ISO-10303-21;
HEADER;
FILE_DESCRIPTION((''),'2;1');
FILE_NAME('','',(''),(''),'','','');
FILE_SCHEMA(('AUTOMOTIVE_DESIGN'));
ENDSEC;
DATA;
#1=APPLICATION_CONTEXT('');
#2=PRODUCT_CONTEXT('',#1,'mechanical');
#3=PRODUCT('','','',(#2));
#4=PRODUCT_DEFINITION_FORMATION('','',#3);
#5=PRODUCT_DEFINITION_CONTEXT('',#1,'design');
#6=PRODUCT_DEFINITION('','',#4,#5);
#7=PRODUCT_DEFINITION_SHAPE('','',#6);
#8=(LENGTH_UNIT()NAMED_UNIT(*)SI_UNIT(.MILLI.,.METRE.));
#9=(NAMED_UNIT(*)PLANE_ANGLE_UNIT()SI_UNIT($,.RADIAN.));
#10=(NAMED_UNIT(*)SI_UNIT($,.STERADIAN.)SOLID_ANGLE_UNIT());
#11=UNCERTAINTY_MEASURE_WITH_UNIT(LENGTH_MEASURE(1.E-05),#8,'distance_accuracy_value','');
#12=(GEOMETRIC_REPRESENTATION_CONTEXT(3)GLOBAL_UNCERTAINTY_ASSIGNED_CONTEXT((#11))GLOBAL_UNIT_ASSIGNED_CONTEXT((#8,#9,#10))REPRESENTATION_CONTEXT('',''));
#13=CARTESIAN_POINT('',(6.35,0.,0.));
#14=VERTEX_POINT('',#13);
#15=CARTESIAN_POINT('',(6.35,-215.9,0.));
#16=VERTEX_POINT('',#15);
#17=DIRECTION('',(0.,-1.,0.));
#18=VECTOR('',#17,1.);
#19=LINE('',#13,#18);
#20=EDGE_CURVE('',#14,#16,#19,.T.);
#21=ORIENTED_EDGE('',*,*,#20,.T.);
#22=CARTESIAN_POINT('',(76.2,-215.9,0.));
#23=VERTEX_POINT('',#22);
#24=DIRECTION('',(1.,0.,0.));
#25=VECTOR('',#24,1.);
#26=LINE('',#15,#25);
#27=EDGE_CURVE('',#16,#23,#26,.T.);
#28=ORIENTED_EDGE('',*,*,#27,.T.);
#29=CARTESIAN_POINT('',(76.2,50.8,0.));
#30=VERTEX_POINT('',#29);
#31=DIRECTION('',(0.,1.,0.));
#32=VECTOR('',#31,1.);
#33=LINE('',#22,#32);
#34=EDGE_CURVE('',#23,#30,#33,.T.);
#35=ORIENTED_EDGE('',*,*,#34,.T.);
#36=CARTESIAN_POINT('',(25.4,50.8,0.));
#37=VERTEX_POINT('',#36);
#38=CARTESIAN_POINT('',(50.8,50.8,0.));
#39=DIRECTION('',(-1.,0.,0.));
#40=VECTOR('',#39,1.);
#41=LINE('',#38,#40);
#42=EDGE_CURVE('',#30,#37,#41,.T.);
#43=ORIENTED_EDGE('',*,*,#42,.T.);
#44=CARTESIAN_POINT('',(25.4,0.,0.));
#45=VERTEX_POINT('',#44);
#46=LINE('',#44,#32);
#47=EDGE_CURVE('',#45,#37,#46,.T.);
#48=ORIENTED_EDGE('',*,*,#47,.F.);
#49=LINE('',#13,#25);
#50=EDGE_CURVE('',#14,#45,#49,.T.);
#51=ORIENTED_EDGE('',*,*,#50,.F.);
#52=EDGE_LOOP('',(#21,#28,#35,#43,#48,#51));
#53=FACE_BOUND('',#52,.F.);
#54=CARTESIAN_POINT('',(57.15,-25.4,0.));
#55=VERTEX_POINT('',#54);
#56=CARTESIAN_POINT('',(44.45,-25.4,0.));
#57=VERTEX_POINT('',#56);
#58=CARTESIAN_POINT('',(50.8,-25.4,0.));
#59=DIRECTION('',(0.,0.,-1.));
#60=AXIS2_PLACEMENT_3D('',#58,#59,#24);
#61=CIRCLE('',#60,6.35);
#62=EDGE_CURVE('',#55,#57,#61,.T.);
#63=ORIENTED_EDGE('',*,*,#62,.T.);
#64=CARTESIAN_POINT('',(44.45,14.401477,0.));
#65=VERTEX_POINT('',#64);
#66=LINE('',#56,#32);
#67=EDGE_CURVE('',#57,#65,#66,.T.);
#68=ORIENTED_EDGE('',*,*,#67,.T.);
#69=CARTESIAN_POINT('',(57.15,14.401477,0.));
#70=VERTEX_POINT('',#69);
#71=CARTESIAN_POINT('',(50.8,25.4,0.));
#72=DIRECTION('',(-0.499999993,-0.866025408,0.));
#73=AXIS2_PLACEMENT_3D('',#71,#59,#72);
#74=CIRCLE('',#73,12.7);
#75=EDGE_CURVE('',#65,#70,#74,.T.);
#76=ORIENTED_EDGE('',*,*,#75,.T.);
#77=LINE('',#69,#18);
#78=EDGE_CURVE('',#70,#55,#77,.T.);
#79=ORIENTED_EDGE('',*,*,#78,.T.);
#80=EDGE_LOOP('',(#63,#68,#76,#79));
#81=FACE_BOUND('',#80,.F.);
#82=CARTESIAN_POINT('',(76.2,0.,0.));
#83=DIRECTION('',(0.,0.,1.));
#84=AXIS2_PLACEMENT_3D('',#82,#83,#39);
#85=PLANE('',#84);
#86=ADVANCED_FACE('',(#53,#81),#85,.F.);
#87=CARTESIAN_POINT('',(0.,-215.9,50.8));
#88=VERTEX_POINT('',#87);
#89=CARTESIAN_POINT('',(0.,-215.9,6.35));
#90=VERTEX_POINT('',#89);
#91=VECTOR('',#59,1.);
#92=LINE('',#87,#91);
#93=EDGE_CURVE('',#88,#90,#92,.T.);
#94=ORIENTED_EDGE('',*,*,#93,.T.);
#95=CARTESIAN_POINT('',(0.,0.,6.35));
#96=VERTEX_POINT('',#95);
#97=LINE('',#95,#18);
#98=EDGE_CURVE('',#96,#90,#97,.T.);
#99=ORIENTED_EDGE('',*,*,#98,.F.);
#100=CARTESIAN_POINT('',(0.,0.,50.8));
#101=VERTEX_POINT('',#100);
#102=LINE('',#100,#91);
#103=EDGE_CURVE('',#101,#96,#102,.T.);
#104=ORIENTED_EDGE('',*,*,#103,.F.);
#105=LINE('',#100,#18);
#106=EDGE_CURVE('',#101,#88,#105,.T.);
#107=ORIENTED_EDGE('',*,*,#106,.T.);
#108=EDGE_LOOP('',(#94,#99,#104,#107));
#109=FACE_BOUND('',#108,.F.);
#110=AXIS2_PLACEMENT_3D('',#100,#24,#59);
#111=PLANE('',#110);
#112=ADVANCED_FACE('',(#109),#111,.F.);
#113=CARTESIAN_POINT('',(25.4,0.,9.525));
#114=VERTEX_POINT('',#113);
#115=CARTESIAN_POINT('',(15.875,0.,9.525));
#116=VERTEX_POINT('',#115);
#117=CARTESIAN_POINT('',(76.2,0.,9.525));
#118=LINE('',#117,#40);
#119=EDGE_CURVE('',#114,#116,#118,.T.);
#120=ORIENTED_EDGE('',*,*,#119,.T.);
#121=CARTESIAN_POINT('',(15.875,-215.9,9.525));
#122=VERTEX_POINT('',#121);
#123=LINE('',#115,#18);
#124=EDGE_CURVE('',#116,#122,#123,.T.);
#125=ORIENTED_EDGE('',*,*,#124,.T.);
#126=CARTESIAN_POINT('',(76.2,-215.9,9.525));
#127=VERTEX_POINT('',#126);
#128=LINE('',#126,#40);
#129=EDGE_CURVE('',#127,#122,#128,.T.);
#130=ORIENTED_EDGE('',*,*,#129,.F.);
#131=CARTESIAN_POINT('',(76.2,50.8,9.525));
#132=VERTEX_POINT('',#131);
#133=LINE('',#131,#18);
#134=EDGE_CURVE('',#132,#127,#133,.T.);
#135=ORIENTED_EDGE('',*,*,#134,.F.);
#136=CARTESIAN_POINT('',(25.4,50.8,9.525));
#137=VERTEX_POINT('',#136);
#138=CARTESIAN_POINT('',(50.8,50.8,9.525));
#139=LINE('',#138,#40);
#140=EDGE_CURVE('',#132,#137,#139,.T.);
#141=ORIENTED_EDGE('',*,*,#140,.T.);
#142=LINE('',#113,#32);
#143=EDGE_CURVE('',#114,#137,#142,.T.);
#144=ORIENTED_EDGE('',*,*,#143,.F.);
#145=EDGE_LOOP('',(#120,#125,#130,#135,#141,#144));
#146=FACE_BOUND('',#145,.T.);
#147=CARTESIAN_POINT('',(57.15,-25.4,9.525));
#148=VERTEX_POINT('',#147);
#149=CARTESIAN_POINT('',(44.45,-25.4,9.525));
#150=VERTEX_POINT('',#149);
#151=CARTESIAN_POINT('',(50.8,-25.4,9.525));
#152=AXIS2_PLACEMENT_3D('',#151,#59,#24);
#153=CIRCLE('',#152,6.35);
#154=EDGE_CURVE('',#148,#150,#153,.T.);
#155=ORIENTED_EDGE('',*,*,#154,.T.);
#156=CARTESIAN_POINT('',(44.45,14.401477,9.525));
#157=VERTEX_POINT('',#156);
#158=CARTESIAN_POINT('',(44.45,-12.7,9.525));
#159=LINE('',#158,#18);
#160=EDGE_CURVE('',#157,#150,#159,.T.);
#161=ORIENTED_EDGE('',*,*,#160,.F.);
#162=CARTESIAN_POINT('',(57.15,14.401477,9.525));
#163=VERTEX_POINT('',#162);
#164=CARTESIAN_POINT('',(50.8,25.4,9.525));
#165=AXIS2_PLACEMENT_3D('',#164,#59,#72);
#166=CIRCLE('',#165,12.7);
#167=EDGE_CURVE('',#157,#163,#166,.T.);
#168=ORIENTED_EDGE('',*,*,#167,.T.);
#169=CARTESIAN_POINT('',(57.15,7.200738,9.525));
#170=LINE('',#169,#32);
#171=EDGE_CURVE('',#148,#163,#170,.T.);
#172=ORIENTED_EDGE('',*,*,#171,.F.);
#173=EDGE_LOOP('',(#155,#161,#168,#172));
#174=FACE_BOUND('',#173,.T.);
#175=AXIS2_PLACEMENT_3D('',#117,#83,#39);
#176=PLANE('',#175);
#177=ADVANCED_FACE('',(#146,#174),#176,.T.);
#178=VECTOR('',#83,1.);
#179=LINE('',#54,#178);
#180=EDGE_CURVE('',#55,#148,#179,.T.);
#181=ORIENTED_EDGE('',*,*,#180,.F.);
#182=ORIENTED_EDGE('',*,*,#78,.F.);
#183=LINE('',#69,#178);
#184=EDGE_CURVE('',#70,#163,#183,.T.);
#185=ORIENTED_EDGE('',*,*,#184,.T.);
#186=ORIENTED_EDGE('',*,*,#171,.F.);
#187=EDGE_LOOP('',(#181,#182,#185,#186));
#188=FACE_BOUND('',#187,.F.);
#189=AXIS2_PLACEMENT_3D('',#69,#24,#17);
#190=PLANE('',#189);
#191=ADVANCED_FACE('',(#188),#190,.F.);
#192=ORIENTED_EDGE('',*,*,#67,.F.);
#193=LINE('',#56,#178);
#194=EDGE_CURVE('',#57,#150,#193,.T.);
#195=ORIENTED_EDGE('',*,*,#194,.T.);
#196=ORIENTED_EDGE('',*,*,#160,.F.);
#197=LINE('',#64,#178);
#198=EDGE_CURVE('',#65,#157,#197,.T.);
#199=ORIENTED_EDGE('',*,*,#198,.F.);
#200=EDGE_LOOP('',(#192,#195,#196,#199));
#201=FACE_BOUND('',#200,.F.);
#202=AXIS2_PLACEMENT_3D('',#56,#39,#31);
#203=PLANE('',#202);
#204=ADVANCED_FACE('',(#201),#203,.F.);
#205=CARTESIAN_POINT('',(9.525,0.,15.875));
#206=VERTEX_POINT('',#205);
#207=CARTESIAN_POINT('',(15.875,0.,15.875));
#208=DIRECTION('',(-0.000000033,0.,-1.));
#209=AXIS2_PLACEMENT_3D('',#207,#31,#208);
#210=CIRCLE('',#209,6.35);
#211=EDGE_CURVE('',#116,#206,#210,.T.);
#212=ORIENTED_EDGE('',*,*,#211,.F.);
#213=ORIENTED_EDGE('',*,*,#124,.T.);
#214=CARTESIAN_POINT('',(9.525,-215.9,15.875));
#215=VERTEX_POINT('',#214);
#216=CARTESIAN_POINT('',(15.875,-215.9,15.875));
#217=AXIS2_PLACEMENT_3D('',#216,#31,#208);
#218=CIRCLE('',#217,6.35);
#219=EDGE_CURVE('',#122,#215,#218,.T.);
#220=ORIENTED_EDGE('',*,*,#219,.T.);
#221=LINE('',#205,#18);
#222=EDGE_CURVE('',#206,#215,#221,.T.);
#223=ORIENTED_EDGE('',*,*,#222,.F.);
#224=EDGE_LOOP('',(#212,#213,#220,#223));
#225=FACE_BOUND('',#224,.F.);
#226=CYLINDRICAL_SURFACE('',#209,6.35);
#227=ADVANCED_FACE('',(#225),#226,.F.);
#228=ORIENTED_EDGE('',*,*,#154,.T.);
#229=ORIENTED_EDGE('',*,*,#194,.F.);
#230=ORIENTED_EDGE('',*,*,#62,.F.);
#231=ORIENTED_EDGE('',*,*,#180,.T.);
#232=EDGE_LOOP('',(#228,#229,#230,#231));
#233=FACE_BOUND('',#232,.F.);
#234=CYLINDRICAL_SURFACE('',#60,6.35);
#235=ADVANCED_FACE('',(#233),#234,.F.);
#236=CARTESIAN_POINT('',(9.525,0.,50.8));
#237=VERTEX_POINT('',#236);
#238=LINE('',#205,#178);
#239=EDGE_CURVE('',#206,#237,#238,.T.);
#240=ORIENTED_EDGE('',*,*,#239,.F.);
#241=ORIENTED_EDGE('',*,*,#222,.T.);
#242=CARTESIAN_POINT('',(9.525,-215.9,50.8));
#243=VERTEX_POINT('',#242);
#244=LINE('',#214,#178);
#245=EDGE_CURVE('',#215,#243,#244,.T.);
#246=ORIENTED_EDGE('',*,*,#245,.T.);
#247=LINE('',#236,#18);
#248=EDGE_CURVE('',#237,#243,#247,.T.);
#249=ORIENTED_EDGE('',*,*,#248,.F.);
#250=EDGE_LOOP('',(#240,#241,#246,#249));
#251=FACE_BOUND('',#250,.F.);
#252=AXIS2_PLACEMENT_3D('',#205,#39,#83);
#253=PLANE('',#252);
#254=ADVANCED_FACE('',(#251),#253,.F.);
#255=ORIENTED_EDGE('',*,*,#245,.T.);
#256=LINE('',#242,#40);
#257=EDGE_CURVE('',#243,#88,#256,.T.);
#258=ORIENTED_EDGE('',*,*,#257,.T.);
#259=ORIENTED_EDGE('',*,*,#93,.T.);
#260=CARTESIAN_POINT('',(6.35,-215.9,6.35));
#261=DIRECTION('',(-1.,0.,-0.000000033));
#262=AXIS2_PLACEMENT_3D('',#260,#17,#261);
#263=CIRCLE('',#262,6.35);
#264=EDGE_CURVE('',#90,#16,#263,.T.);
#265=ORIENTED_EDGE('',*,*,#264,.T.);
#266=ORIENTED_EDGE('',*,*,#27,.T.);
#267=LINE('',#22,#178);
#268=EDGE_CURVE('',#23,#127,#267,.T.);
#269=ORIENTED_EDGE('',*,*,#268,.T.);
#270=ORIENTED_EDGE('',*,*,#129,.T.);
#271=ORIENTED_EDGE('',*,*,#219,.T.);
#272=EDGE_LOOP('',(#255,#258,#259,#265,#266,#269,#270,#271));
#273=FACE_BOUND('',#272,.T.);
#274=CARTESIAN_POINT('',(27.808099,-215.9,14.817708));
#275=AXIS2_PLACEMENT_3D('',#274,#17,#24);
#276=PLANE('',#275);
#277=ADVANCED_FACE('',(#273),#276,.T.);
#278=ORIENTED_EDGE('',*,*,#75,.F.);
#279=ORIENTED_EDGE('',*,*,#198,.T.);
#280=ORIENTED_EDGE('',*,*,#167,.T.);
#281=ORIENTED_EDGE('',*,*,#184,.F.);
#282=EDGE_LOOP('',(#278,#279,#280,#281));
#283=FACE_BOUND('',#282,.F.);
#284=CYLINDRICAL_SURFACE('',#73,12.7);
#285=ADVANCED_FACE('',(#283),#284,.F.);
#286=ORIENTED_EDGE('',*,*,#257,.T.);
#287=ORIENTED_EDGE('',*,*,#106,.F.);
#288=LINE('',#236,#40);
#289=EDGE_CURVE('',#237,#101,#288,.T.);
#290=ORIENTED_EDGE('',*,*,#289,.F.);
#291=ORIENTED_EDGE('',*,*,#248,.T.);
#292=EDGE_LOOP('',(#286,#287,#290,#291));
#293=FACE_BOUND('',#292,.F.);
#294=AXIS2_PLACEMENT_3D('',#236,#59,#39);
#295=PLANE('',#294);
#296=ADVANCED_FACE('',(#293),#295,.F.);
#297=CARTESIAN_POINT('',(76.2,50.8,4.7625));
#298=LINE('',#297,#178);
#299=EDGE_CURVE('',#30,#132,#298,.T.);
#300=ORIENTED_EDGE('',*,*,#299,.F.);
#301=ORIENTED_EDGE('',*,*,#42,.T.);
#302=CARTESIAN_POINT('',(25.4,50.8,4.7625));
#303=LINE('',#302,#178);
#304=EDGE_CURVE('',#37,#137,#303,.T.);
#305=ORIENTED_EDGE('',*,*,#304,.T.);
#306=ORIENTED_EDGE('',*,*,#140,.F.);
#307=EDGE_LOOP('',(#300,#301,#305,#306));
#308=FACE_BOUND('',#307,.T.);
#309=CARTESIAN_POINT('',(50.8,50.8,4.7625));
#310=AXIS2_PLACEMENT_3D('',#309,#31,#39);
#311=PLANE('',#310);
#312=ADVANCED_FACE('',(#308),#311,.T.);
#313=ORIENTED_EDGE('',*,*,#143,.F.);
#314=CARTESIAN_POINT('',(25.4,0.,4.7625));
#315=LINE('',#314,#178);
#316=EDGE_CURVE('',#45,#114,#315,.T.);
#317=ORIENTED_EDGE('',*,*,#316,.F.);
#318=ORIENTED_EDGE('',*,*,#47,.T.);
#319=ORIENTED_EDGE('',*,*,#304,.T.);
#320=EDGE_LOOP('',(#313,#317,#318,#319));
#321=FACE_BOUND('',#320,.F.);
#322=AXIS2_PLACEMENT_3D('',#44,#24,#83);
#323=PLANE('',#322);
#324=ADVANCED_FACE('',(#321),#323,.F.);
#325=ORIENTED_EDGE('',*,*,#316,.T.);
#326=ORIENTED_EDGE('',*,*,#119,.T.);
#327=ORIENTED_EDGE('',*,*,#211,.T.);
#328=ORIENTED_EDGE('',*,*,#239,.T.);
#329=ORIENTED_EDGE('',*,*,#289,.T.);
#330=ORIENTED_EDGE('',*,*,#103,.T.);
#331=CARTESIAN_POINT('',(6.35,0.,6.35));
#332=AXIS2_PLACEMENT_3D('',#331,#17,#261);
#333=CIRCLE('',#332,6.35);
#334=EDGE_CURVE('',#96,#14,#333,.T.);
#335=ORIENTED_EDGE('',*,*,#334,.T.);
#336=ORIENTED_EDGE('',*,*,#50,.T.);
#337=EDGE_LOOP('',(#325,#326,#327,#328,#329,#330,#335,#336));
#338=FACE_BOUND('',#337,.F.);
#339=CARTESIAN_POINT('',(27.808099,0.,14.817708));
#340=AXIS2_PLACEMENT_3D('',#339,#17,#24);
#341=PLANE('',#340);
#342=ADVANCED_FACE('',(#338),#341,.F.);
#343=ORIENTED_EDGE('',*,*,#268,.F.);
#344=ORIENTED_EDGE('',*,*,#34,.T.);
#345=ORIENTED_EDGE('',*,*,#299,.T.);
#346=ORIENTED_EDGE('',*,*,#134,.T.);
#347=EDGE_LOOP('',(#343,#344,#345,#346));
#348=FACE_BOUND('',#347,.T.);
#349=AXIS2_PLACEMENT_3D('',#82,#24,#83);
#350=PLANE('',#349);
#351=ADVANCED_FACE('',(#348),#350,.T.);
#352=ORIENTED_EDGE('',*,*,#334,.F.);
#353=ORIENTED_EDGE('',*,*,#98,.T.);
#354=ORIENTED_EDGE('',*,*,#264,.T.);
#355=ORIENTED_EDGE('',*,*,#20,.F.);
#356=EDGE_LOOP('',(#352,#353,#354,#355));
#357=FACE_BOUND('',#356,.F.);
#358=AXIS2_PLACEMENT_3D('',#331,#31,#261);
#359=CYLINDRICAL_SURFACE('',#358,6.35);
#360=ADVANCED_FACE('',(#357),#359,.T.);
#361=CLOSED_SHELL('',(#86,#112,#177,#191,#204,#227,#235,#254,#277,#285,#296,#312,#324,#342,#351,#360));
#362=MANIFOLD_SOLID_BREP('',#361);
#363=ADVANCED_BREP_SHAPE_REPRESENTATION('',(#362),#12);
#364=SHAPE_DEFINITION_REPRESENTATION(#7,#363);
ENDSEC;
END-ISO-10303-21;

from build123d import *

# Parameters (mm, degrees)
F1_DEPTH = 215.9
F2_W     = 50.8
F2_H     = 9.525
F3_DEPTH = 50.8
F5_DEPTH = 50.801


with BuildPart() as f1:
    # F0 (on Front) → F1 (new body)
    with BuildSketch(Plane.XZ):
        with BuildLine():
            Line((9.525, 50.8), (0, 50.8))
            Line((0, 50.8), (0, 6.35))
            ThreePointArc((0, 6.35), (1.859872, 1.859872), (6.35, 0))
            Line((6.35, 0), (76.2, 0))
            Line((76.2, 0), (76.2, 9.525))
            Line((76.2, 9.525), (15.875, 9.525))
            ThreePointArc((15.875, 9.525), (11.384872, 11.384872), (9.525, 15.875))
            Line((9.525, 15.875), (9.525, 50.8))
        make_face()
    extrude(amount=F1_DEPTH)

    # F2 (on face) → F3 (join)
    with BuildSketch(Plane(origin=(0, 0, 0), x_dir=(-1, 0, 0), z_dir=(0, 1, 0))):
        with Locations((-50.8, 4.7625)):
            Rectangle(F2_W, F2_H)
    extrude(amount=F3_DEPTH)

    # F4 (on face) → F5 (cut, through all)
    with BuildSketch(Plane(origin=(0, 0, 0), x_dir=(1, 0, 0), z_dir=(0, 0, -1))):
        with BuildLine():
            Line((44.45, 25.4), (44.45, -14.401477))
            ThreePointArc((44.45, -14.401477), (50.8, -38.1), (57.15, -14.401477))
            Line((57.15, -14.401477), (57.15, 25.4))
            ThreePointArc((57.15, 25.4), (50.8, 31.75), (44.45, 25.4))
        make_face()
    extrude(amount=-F5_DEPTH, mode=Mode.SUBTRACT)


solid = f1.part
